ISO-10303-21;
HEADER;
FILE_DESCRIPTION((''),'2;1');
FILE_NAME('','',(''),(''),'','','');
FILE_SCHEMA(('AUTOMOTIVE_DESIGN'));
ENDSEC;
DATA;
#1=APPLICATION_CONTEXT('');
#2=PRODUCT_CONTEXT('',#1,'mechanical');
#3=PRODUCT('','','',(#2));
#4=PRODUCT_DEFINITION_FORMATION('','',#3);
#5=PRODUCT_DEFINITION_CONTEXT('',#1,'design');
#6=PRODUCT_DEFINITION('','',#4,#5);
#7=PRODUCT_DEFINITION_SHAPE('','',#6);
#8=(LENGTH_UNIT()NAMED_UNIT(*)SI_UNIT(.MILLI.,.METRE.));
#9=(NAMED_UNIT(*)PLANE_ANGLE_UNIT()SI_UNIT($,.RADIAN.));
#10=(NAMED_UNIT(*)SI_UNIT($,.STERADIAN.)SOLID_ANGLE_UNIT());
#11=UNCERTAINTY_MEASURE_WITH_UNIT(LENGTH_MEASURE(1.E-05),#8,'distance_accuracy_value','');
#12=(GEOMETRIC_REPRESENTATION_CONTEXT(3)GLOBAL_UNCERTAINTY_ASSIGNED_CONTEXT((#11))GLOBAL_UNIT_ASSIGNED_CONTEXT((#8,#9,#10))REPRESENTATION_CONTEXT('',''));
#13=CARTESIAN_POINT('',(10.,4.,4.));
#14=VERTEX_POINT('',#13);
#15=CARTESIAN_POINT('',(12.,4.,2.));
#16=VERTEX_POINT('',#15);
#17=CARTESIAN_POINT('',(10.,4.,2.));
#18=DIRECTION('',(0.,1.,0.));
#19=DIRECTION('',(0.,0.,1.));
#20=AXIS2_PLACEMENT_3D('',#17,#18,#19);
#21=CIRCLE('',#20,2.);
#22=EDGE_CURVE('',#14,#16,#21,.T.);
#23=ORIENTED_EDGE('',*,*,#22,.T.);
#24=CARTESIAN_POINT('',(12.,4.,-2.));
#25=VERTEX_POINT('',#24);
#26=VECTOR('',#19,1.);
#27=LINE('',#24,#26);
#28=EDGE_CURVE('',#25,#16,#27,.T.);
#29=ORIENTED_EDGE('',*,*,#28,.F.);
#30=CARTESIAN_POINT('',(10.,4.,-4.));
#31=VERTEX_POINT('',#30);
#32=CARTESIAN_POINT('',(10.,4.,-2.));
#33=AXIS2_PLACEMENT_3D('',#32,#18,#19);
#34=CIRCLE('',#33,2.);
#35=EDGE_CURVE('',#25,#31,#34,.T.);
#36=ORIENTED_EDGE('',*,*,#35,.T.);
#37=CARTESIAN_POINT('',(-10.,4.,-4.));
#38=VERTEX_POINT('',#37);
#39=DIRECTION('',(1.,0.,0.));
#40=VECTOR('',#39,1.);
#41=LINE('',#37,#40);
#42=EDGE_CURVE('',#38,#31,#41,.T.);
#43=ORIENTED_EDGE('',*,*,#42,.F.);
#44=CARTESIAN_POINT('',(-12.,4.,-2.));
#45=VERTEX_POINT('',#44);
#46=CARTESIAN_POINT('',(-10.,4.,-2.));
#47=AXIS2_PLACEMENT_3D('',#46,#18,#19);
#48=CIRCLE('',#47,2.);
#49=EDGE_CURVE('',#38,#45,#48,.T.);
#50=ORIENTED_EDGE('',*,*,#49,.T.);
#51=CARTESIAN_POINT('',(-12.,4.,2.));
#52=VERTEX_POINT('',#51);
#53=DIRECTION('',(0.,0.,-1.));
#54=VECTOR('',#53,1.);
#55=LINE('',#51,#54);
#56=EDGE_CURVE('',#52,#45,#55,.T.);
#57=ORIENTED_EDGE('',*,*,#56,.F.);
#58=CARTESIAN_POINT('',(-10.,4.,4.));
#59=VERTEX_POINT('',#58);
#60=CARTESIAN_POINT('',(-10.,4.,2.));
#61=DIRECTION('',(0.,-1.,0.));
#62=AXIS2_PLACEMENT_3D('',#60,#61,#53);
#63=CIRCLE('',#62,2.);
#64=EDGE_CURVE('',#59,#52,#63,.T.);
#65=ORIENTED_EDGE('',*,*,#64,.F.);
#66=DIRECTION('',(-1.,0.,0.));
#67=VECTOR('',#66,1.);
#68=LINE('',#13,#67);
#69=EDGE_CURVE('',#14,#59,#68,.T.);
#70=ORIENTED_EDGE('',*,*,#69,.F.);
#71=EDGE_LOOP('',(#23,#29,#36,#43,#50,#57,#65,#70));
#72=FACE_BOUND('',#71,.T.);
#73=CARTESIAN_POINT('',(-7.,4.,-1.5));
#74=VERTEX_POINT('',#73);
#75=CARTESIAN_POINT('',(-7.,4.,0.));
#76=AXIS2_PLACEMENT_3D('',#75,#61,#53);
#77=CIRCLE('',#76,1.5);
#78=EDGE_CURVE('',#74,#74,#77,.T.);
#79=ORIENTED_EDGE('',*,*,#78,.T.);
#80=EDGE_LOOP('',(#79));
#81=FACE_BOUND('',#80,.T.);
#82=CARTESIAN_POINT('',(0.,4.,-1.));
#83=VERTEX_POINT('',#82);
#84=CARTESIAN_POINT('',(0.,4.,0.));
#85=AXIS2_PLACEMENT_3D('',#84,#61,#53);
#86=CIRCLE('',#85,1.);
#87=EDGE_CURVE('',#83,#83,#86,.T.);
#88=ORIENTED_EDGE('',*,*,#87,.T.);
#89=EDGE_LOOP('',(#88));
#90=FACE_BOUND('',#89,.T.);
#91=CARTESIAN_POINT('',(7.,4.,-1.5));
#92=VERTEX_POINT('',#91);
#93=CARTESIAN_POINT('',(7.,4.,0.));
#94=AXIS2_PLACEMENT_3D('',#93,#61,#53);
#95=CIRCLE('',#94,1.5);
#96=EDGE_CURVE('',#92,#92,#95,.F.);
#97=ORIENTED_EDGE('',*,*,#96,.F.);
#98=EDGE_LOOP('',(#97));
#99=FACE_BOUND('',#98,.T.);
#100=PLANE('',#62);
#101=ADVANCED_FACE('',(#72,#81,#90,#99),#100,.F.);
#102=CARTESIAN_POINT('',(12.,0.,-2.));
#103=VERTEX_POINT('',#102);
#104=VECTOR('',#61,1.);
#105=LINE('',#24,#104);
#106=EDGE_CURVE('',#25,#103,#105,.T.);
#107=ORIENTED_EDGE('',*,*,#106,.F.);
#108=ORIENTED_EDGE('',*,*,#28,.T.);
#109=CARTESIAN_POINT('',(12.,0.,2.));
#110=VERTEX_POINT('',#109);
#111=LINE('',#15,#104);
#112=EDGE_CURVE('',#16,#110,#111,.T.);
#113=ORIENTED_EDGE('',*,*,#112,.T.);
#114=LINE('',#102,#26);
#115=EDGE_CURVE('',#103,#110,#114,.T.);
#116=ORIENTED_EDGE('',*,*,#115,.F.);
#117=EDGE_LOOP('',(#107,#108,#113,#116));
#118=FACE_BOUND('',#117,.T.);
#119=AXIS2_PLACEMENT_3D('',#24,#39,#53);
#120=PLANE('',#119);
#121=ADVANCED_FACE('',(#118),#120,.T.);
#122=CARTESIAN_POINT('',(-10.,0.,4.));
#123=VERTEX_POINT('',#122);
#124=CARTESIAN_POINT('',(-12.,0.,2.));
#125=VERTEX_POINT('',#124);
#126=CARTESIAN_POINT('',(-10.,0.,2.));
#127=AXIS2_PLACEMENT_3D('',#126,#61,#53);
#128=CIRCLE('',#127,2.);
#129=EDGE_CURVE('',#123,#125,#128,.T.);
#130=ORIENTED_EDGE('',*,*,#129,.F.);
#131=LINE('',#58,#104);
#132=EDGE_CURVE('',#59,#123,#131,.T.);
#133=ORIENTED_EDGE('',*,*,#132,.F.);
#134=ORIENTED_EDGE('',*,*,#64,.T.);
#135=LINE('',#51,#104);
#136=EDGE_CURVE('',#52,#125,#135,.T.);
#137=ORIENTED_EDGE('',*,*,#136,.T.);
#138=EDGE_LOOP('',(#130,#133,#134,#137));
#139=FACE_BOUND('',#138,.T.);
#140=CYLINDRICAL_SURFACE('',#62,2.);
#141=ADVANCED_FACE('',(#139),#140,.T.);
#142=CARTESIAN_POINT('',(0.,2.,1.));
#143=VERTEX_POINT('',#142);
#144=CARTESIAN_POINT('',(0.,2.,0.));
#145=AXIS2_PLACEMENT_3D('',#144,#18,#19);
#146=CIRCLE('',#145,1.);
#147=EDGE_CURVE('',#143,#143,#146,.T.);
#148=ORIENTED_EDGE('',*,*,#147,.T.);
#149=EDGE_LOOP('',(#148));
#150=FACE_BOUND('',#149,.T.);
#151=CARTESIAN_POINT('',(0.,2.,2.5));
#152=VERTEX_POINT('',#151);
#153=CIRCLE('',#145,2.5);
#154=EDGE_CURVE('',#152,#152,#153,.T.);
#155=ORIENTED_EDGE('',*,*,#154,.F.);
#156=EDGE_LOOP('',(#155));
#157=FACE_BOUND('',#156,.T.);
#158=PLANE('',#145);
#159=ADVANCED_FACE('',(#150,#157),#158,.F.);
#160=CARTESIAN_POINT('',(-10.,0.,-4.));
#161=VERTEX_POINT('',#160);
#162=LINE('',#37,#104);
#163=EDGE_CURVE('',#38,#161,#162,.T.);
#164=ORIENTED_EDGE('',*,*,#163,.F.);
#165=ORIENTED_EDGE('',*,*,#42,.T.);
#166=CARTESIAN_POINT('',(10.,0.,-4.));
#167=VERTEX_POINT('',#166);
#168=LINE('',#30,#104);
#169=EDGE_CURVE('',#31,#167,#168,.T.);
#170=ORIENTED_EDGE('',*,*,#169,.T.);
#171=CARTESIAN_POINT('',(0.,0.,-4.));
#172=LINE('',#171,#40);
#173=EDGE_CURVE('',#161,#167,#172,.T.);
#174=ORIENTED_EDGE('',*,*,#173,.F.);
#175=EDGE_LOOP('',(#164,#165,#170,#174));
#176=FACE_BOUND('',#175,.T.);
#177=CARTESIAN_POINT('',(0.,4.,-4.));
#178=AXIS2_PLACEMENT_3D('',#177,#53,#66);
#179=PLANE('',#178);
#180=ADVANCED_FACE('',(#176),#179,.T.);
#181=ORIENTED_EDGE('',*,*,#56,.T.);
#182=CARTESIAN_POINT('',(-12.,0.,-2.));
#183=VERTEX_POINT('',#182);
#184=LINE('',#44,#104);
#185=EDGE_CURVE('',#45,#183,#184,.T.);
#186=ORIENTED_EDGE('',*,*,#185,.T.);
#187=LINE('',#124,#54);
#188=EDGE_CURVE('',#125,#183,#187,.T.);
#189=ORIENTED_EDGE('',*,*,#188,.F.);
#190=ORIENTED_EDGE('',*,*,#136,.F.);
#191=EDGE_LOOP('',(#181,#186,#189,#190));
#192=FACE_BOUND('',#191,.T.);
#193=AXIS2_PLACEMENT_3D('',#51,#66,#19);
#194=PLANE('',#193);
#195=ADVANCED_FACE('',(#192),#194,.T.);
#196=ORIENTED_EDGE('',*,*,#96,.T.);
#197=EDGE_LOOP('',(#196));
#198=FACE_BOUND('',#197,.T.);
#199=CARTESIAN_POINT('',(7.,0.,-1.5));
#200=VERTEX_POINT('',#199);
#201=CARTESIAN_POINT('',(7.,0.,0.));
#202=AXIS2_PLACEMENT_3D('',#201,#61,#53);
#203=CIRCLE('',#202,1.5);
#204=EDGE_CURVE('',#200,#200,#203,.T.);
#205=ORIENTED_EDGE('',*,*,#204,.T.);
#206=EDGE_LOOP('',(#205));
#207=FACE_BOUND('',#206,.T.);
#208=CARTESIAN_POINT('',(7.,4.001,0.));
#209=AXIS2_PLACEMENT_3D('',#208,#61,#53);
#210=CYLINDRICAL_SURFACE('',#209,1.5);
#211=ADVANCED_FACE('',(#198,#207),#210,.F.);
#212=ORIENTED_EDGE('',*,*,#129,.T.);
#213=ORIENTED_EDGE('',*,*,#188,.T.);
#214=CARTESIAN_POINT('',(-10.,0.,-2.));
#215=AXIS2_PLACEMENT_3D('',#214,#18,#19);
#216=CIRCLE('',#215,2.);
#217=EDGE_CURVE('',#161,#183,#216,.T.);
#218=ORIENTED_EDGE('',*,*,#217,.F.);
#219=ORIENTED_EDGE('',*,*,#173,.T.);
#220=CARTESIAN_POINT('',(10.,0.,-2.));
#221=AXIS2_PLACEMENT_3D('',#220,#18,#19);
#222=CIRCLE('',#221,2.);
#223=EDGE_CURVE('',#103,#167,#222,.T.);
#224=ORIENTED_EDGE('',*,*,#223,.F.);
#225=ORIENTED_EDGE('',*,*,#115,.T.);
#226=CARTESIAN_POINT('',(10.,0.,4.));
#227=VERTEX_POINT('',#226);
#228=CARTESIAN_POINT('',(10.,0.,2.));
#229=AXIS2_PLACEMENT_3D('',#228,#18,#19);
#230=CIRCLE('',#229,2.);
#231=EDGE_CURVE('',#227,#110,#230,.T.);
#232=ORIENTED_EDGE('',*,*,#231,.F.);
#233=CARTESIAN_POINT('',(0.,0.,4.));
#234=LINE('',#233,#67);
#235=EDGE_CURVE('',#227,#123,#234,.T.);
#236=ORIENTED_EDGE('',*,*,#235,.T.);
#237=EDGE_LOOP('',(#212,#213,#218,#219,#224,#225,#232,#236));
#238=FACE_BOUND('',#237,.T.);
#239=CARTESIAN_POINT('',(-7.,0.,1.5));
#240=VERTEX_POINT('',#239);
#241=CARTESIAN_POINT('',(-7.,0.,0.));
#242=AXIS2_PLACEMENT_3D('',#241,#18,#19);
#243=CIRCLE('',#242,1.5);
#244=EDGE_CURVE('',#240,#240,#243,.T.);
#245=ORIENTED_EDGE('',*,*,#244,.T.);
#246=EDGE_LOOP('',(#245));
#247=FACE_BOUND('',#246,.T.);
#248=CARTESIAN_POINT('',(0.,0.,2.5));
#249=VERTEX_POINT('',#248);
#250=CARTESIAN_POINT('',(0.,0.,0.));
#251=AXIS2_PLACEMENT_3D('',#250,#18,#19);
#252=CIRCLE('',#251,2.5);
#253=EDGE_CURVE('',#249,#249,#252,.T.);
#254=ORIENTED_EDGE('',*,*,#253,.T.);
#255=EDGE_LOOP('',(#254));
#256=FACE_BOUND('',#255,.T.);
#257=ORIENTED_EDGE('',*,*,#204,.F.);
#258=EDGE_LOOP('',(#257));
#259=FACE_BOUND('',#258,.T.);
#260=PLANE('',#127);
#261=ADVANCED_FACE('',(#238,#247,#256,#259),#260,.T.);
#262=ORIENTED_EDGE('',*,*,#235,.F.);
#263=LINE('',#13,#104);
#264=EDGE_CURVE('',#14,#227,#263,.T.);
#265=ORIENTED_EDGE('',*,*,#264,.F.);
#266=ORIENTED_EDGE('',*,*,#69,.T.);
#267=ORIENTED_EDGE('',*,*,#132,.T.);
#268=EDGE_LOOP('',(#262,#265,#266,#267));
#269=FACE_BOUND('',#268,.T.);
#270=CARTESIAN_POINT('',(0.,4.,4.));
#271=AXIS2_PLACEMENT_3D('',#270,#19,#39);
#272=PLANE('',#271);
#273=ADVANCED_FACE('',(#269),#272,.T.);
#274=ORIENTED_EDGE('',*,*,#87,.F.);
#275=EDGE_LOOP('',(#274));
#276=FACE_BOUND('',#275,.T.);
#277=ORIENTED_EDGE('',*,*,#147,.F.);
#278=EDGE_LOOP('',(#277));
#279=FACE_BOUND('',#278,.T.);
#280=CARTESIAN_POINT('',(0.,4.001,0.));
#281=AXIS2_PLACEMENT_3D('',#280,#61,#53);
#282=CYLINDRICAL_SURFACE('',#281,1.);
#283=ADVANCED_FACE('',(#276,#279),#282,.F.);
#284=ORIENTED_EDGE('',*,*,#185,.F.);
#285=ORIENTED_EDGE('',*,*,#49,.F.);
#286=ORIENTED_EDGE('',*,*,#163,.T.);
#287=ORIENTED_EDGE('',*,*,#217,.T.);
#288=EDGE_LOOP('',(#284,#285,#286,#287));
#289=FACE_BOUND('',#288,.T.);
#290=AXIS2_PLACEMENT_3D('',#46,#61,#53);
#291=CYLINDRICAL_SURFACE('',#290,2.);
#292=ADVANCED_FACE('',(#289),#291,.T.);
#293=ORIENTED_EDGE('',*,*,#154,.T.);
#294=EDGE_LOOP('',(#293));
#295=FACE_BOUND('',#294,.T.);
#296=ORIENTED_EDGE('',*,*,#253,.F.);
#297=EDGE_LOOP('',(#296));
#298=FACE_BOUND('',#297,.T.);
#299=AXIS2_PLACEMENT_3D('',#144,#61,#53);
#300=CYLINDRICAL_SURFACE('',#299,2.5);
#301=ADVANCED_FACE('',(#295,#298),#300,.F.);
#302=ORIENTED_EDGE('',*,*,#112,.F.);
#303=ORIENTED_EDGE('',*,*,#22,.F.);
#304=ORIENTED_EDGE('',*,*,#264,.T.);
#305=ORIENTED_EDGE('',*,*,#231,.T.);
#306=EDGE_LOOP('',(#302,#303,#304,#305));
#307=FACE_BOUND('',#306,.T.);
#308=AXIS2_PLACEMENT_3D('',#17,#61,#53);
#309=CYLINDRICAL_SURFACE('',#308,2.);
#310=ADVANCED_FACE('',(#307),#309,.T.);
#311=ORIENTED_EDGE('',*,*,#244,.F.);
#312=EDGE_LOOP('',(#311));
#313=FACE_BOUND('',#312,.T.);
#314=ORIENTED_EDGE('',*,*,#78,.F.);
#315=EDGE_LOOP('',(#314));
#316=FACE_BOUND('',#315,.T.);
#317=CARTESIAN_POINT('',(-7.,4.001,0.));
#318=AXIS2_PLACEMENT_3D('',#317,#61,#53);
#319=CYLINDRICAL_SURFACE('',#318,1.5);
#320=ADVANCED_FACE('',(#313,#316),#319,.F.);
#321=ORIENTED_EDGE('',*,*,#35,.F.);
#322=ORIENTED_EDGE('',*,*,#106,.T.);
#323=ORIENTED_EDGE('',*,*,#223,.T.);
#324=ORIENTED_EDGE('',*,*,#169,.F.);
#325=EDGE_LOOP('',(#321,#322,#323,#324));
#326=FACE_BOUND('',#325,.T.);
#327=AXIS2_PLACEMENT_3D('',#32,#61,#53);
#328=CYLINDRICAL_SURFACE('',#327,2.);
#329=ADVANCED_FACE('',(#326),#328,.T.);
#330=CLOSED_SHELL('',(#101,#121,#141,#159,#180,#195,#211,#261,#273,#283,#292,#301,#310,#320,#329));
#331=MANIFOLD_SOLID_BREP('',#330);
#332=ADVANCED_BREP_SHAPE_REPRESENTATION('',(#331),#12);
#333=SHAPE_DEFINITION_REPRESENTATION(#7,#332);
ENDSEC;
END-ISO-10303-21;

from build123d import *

# Parameters (mm, degrees)
BOSS_EXTRUDE1_DEPTH = 4
CUT_EXTRUDE1_REACH  = 15.266
SKETCH1_3_R         = 1
SKETCH1_3_R_2       = 1.5
SKETCH1_4_R         = 2.5
CUT_EXTRUDE2_DEPTH  = 2


with BuildPart() as part:
    # Sketch1 → Boss-Extrude1 (new body)
    with BuildSketch(Plane(origin=(0, 0, 0), x_dir=(1, 0, 0), z_dir=(0, 1, 0))):
        with BuildLine():
            Line((0, 4), (10, 4))
            ThreePointArc((10, 4), (11.414213562, 3.414213562), (12, 2))
            Line((12, 2), (12, -2))
            ThreePointArc((12, -2), (11.414213562, -3.414213562), (10, -4))
            Line((10, -4), (0, -4))
            Line((0, -4), (-10, -4))
            ThreePointArc((-10, -4), (-11.414213562, -3.414213562), (-12, -2))
            Line((-12, -2), (-12, 2))
            ThreePointArc((-12, 2), (-11.414213562, 3.414213562), (-10, 4))
            Line((-10, 4), (0, 4))
        make_face()
    extrude(amount=BOSS_EXTRUDE1_DEPTH)

    # Sketch1<3> → Cut-Extrude1 (cut, up to next)
    with BuildSketch(Plane(origin=(0, 0, 0), x_dir=(1, 0, 0), z_dir=(0, 1, 0)), mode=Mode.PRIVATE) as cut_extrude1_sk1:
        Circle(SKETCH1_3_R)
    cut_extrude1_tool1 = extrude(cut_extrude1_sk1.sketch, amount=CUT_EXTRUDE1_REACH, mode=Mode.PRIVATE) & part.part
    # Sketch1<3> → Cut-Extrude1 (cut, up to next)
    with BuildSketch(Plane(origin=(0, 0, 0), x_dir=(1, 0, 0), z_dir=(0, 1, 0)), mode=Mode.PRIVATE) as cut_extrude1_sk2:
        with Locations((-7, 0)):
            Circle(SKETCH1_3_R_2)
    cut_extrude1_tool2 = extrude(cut_extrude1_sk2.sketch, amount=CUT_EXTRUDE1_REACH, mode=Mode.PRIVATE) & part.part
    # Sketch1<3> → Cut-Extrude1 (cut, up to next)
    with BuildSketch(Plane(origin=(0, 0, 0), x_dir=(1, 0, 0), z_dir=(0, 1, 0)), mode=Mode.PRIVATE) as cut_extrude1_sk3:
        with Locations((7, 0)):
            Circle(SKETCH1_3_R_2)
    cut_extrude1_tool3 = extrude(cut_extrude1_sk3.sketch, amount=CUT_EXTRUDE1_REACH, mode=Mode.PRIVATE) & part.part
    add(cut_extrude1_tool1.solids().sort_by_distance((0, 0, 0))[0], mode=Mode.SUBTRACT)
    add(cut_extrude1_tool2.solids().sort_by_distance((-7, 0, 0))[0], mode=Mode.SUBTRACT)
    add(cut_extrude1_tool3.solids().sort_by_distance((7, 0, 0))[0], mode=Mode.SUBTRACT)

    # Sketch1<4> → Cut-Extrude2 (cut)
    with BuildSketch(Plane(origin=(0, 0, 0), x_dir=(1, 0, 0), z_dir=(0, 1, 0))):
        Circle(SKETCH1_4_R)
    extrude(amount=CUT_EXTRUDE2_DEPTH, mode=Mode.SUBTRACT)


solid = part.part
